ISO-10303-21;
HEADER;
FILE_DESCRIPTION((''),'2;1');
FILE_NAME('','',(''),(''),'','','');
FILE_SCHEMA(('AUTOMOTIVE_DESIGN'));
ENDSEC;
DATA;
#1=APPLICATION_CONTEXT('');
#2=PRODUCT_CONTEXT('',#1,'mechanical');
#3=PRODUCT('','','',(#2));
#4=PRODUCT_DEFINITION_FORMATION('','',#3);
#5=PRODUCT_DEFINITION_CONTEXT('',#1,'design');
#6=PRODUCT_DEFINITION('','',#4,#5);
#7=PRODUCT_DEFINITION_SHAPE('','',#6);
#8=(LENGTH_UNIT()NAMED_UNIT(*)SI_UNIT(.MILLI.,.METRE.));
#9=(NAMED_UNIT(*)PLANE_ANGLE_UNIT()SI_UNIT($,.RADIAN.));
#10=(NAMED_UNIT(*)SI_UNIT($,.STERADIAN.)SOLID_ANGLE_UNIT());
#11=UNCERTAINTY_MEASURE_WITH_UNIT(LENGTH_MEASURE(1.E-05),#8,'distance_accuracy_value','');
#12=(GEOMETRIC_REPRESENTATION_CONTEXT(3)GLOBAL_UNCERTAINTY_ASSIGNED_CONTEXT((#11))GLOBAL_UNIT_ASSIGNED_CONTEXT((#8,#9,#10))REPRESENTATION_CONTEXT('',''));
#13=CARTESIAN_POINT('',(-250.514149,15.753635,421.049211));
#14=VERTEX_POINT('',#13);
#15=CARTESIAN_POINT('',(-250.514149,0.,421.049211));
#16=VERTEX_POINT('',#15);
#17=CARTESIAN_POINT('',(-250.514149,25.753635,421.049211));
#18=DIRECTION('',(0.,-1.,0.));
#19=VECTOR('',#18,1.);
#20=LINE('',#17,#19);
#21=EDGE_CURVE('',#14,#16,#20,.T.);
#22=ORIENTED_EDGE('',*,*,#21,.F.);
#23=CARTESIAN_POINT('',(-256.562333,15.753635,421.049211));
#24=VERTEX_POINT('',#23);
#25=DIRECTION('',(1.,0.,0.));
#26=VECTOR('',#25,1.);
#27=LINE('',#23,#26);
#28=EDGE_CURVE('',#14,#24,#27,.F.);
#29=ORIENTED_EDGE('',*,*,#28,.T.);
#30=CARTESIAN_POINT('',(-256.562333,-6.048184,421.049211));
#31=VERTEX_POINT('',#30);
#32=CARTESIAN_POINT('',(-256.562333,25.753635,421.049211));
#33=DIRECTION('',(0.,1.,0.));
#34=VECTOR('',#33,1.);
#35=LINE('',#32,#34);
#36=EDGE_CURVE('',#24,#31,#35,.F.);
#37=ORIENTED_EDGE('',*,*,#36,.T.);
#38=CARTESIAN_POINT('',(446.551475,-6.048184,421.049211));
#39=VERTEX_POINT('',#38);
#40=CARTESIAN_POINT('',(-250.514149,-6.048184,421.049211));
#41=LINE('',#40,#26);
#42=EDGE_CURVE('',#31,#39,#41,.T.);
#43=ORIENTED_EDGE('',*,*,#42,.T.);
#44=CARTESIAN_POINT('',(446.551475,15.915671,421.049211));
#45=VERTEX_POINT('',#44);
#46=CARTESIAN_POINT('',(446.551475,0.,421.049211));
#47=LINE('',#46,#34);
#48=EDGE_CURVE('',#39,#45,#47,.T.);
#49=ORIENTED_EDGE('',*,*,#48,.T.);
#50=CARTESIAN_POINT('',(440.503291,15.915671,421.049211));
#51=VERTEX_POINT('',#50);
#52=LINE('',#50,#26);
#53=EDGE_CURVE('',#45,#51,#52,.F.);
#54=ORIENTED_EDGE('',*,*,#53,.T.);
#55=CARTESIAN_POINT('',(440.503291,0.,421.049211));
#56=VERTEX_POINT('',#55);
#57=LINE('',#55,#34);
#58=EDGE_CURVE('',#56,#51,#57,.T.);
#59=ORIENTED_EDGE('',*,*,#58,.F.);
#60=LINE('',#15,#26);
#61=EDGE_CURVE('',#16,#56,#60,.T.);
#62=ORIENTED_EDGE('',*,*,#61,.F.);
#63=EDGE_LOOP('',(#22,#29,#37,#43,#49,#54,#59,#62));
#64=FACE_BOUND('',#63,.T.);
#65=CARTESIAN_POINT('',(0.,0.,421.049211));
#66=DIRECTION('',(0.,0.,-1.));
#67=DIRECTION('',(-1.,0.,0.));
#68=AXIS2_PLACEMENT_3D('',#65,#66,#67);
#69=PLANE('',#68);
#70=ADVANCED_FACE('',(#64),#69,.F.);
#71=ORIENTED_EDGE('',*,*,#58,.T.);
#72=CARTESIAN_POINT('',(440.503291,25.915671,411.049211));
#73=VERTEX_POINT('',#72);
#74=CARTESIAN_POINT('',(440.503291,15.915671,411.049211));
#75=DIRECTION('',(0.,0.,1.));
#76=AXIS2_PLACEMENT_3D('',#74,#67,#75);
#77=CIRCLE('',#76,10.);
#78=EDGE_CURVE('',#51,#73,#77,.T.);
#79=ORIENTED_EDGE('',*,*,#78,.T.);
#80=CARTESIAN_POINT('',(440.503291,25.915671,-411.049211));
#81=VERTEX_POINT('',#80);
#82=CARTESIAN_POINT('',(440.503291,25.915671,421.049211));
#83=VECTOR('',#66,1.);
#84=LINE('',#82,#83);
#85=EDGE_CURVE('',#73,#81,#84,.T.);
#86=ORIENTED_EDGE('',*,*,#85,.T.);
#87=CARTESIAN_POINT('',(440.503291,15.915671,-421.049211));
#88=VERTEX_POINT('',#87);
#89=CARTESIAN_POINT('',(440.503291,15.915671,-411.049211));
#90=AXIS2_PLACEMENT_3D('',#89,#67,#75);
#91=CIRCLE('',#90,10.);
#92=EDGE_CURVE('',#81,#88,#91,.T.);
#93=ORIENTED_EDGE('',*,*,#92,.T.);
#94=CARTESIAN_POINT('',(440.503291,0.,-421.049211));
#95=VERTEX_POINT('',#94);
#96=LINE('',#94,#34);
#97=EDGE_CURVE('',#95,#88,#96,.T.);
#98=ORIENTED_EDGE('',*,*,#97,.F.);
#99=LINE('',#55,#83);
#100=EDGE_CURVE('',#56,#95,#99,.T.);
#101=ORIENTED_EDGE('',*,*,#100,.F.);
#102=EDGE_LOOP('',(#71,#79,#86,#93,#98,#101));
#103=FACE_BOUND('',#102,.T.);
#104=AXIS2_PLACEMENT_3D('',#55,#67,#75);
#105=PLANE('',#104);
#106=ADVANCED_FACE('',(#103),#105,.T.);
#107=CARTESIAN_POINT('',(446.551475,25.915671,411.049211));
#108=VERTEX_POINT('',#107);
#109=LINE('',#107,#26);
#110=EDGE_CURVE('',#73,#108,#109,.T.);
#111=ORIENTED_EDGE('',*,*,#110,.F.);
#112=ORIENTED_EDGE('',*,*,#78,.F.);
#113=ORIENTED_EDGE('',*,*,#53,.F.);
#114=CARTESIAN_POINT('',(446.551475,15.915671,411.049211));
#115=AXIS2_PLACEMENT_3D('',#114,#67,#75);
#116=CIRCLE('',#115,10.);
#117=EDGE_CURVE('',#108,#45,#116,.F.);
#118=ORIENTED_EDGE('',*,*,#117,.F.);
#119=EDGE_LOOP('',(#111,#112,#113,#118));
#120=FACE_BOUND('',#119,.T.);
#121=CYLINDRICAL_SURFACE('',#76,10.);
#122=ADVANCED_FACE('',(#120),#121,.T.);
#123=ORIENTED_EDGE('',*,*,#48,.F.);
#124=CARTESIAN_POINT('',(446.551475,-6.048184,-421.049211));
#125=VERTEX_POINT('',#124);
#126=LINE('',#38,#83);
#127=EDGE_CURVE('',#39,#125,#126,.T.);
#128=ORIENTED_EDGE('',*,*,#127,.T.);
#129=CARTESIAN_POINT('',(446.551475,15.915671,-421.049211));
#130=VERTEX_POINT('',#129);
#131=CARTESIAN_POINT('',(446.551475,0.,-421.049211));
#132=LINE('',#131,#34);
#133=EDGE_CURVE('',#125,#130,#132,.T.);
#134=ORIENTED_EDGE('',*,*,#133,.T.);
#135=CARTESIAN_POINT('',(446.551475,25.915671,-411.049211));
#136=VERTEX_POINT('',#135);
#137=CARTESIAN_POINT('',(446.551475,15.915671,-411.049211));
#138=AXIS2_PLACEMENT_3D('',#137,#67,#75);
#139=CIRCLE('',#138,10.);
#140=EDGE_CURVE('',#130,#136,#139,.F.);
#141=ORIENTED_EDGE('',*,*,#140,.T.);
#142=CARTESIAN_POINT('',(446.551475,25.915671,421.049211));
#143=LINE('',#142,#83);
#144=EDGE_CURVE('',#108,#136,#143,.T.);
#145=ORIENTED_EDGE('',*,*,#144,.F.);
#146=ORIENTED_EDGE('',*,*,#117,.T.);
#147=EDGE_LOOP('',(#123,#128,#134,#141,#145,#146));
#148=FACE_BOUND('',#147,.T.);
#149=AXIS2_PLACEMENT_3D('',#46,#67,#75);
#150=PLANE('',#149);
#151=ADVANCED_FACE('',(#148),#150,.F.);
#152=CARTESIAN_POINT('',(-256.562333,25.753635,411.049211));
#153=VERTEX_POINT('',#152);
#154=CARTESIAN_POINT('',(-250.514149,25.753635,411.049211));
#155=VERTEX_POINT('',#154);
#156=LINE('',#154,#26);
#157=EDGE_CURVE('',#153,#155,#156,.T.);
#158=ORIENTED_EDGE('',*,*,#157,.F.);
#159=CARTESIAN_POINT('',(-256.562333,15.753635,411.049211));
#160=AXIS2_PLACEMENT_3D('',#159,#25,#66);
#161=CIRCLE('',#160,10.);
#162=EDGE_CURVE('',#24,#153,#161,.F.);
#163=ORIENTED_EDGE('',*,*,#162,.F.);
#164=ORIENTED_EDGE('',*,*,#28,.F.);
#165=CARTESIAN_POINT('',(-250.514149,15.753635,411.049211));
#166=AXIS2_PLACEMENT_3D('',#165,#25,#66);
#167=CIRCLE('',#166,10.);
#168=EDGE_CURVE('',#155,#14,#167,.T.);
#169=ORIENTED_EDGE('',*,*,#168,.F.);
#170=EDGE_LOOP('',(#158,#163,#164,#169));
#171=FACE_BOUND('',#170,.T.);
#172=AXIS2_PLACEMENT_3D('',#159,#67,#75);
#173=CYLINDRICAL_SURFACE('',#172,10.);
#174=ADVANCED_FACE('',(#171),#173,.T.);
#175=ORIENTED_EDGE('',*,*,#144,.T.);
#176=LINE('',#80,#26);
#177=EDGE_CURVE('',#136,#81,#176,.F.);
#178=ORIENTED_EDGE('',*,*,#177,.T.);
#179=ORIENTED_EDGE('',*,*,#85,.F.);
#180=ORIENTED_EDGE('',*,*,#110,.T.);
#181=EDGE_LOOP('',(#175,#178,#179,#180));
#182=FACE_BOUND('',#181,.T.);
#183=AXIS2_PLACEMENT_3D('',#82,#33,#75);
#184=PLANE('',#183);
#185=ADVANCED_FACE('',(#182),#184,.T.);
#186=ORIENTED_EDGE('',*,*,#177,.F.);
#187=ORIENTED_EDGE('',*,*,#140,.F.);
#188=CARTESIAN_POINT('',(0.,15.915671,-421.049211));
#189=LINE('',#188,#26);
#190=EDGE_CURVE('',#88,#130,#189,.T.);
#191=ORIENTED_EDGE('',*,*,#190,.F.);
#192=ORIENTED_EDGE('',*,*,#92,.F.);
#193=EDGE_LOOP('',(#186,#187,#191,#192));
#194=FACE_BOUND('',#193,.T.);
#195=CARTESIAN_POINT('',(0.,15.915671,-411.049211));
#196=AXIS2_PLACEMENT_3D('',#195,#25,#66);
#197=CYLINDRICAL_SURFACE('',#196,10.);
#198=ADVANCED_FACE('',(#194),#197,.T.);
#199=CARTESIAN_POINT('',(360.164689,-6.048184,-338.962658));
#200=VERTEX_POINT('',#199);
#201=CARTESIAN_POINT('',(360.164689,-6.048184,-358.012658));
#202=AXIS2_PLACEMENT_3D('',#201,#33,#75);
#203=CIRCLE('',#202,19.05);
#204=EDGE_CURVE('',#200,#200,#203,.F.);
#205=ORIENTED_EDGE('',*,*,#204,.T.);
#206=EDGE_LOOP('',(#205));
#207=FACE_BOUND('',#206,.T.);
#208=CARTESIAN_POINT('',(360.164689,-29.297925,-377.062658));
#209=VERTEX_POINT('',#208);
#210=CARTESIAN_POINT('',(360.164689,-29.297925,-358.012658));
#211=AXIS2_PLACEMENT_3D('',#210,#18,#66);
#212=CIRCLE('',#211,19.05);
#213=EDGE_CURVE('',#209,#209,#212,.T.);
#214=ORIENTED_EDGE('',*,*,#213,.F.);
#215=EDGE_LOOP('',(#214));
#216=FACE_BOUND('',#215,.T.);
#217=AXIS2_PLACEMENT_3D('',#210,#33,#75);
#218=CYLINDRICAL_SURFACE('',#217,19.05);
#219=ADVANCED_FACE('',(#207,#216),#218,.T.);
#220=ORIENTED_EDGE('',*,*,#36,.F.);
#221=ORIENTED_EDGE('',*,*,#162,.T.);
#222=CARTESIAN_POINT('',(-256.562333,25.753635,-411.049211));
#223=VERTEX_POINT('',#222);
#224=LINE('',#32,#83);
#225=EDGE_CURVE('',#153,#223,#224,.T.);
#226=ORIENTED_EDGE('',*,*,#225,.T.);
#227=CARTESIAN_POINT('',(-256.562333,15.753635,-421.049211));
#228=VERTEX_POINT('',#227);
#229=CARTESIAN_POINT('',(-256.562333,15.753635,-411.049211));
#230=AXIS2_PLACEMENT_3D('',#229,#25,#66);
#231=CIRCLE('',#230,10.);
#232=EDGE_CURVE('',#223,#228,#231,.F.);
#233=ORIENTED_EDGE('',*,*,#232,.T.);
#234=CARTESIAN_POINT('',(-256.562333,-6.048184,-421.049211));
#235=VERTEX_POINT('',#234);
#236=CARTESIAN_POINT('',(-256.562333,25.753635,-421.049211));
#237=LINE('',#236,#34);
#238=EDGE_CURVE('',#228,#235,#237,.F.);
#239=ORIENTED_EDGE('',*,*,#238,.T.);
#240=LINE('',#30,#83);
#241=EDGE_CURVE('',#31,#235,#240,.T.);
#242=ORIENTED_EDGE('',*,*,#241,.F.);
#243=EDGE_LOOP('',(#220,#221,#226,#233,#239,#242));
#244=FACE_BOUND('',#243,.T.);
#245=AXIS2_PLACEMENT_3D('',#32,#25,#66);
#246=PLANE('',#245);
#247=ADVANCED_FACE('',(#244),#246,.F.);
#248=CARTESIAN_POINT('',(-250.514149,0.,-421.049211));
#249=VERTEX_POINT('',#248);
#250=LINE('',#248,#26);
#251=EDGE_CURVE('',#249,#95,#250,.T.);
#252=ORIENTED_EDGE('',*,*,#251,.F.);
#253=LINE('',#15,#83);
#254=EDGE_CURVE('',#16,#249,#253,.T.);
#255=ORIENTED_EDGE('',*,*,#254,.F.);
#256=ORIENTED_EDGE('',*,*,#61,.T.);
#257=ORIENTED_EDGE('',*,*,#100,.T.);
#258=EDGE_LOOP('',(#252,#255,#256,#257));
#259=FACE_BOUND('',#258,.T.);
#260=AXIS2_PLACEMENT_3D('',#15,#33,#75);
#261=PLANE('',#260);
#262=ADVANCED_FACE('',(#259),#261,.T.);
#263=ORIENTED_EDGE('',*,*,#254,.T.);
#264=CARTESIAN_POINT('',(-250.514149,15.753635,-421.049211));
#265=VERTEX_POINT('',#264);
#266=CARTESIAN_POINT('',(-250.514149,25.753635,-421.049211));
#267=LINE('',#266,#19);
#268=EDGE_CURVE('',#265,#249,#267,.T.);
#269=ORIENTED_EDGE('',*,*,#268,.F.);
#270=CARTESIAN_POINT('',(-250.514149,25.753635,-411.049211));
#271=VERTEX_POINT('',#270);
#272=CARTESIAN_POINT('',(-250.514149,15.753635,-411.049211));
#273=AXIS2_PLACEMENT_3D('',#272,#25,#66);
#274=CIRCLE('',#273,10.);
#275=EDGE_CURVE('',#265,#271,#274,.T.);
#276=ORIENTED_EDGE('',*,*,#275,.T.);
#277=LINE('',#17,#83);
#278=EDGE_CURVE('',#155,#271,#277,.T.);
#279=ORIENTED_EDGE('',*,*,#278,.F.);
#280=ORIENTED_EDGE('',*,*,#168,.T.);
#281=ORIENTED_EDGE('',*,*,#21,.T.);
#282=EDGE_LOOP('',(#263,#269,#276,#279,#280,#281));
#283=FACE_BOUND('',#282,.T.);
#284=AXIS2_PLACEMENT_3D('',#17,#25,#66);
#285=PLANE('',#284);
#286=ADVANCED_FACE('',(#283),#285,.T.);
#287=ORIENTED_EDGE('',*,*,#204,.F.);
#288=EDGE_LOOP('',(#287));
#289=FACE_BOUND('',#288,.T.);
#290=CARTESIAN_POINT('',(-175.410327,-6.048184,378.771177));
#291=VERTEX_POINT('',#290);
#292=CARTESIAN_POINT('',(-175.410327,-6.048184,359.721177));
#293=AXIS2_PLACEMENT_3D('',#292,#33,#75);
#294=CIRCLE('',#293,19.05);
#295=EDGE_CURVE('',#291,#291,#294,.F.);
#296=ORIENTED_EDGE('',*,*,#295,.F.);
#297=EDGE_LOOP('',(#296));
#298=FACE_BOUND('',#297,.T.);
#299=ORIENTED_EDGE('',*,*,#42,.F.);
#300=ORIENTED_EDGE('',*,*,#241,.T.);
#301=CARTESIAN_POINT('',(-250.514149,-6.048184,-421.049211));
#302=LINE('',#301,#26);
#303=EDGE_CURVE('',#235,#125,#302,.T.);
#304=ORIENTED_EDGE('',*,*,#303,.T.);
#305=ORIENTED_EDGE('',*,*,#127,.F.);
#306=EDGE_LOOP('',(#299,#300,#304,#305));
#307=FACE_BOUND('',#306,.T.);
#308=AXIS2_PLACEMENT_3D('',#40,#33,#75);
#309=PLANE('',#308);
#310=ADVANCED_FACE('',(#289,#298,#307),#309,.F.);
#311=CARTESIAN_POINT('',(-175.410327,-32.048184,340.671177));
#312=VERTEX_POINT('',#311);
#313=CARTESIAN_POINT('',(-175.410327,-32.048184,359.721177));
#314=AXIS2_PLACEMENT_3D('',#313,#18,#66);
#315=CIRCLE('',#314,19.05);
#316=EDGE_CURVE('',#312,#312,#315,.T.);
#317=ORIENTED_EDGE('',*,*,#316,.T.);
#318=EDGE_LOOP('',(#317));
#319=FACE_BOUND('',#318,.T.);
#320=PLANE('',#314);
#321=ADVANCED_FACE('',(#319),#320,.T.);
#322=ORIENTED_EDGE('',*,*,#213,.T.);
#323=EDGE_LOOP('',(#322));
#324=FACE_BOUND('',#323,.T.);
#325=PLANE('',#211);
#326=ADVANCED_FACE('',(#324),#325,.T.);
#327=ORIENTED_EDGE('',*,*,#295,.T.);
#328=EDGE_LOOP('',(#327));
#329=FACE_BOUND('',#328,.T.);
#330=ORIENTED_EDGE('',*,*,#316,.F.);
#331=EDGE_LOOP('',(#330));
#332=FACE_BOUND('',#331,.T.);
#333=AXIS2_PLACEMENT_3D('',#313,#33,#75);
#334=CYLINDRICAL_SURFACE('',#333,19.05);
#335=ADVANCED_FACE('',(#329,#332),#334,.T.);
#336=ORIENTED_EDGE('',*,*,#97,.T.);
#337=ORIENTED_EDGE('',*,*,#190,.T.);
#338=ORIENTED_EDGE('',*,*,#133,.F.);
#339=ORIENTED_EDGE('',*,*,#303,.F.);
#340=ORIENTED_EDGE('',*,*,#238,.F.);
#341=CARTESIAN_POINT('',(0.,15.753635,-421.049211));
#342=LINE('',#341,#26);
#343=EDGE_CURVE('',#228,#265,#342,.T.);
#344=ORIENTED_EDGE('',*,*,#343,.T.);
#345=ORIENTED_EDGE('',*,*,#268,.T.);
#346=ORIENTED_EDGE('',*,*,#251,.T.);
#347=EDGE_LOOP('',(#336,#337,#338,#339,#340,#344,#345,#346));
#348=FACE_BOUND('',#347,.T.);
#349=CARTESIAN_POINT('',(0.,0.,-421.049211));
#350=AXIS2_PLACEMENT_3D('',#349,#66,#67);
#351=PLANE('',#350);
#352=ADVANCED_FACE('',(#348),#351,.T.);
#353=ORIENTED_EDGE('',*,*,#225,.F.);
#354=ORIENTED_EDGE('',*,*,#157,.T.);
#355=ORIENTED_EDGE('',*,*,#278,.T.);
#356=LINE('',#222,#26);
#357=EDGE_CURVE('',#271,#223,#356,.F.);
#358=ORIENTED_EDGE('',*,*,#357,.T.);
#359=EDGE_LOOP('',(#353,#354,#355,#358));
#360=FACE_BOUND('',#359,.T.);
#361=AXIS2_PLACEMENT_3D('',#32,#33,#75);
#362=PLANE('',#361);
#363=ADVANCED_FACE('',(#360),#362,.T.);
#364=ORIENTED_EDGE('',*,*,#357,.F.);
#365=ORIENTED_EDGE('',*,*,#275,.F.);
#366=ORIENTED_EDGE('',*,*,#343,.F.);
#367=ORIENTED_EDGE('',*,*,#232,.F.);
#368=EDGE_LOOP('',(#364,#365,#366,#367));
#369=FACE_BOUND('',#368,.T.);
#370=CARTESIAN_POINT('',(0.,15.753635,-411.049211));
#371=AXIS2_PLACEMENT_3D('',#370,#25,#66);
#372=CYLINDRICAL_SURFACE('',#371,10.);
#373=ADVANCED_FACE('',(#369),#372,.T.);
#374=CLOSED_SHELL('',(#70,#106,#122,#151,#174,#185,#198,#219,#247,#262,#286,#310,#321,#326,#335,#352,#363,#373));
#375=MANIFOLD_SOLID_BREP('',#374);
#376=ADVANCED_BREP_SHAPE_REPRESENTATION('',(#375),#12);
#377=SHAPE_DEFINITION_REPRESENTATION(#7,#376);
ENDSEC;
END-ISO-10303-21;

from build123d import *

# Parameters (mm, degrees)
EXTRUDE_THIN1_DEPTH = 421.049210887
FILLET1_R           = 10
SKETCH_2_R          = 19.05
EXTRUDE_1_DEPTH     = 23.24974156
SKETCH_3_R          = 19.05
EXTRUDE_2_DEPTH     = 26


with BuildPart() as part:
    # Sketch1 → Extrude-Thin1 (new body, symmetric)
    with BuildSketch(Plane.XY):
        Polygon((-250.514148937, 25.753634758), (-250.514148937, 0), (440.503291061, 0), (440.503291061, 25.915671281), (446.551474959, 25.915671281), (446.551474959, -6.048183898), (-256.562332835, -6.048183898), (-256.562332835, 25.753634758), align=None)
    extrude(amount=EXTRUDE_THIN1_DEPTH, both=True)

    # Fillet1
    fillet1_edges = [part.edges().sort_by_distance(p)[0] for p in [
        (-253.538240886, 25.753634758, 421.049210887),
        (443.52738301, 25.915671281, 421.049210887),
        (-253.538240886, 25.753634758, -421.049210887),
        (443.52738301, 25.915671281, -421.049210887),
    ]]
    fillet(fillet1_edges, radius=FILLET1_R)

    # 草图2 → 凸台-拉伸1 (add)
    with BuildSketch(Plane(origin=(0, -6.048183898, 0), x_dir=(-1, 0, 0), z_dir=(0, -1, 0))):
        with Locations((-360.164689426, 358.012657815)):
            Circle(SKETCH_2_R)
    extrude(amount=EXTRUDE_1_DEPTH)

    # 草图3 → 凸台-拉伸2 (add)
    with BuildSketch(Plane(origin=(0, -6.048183898, 0), x_dir=(-1, 0, 0), z_dir=(0, -1, 0))):
        with Locations((175.410326922, -359.721177401)):
            Circle(SKETCH_3_R)
    extrude(amount=EXTRUDE_2_DEPTH)


solid = part.part
